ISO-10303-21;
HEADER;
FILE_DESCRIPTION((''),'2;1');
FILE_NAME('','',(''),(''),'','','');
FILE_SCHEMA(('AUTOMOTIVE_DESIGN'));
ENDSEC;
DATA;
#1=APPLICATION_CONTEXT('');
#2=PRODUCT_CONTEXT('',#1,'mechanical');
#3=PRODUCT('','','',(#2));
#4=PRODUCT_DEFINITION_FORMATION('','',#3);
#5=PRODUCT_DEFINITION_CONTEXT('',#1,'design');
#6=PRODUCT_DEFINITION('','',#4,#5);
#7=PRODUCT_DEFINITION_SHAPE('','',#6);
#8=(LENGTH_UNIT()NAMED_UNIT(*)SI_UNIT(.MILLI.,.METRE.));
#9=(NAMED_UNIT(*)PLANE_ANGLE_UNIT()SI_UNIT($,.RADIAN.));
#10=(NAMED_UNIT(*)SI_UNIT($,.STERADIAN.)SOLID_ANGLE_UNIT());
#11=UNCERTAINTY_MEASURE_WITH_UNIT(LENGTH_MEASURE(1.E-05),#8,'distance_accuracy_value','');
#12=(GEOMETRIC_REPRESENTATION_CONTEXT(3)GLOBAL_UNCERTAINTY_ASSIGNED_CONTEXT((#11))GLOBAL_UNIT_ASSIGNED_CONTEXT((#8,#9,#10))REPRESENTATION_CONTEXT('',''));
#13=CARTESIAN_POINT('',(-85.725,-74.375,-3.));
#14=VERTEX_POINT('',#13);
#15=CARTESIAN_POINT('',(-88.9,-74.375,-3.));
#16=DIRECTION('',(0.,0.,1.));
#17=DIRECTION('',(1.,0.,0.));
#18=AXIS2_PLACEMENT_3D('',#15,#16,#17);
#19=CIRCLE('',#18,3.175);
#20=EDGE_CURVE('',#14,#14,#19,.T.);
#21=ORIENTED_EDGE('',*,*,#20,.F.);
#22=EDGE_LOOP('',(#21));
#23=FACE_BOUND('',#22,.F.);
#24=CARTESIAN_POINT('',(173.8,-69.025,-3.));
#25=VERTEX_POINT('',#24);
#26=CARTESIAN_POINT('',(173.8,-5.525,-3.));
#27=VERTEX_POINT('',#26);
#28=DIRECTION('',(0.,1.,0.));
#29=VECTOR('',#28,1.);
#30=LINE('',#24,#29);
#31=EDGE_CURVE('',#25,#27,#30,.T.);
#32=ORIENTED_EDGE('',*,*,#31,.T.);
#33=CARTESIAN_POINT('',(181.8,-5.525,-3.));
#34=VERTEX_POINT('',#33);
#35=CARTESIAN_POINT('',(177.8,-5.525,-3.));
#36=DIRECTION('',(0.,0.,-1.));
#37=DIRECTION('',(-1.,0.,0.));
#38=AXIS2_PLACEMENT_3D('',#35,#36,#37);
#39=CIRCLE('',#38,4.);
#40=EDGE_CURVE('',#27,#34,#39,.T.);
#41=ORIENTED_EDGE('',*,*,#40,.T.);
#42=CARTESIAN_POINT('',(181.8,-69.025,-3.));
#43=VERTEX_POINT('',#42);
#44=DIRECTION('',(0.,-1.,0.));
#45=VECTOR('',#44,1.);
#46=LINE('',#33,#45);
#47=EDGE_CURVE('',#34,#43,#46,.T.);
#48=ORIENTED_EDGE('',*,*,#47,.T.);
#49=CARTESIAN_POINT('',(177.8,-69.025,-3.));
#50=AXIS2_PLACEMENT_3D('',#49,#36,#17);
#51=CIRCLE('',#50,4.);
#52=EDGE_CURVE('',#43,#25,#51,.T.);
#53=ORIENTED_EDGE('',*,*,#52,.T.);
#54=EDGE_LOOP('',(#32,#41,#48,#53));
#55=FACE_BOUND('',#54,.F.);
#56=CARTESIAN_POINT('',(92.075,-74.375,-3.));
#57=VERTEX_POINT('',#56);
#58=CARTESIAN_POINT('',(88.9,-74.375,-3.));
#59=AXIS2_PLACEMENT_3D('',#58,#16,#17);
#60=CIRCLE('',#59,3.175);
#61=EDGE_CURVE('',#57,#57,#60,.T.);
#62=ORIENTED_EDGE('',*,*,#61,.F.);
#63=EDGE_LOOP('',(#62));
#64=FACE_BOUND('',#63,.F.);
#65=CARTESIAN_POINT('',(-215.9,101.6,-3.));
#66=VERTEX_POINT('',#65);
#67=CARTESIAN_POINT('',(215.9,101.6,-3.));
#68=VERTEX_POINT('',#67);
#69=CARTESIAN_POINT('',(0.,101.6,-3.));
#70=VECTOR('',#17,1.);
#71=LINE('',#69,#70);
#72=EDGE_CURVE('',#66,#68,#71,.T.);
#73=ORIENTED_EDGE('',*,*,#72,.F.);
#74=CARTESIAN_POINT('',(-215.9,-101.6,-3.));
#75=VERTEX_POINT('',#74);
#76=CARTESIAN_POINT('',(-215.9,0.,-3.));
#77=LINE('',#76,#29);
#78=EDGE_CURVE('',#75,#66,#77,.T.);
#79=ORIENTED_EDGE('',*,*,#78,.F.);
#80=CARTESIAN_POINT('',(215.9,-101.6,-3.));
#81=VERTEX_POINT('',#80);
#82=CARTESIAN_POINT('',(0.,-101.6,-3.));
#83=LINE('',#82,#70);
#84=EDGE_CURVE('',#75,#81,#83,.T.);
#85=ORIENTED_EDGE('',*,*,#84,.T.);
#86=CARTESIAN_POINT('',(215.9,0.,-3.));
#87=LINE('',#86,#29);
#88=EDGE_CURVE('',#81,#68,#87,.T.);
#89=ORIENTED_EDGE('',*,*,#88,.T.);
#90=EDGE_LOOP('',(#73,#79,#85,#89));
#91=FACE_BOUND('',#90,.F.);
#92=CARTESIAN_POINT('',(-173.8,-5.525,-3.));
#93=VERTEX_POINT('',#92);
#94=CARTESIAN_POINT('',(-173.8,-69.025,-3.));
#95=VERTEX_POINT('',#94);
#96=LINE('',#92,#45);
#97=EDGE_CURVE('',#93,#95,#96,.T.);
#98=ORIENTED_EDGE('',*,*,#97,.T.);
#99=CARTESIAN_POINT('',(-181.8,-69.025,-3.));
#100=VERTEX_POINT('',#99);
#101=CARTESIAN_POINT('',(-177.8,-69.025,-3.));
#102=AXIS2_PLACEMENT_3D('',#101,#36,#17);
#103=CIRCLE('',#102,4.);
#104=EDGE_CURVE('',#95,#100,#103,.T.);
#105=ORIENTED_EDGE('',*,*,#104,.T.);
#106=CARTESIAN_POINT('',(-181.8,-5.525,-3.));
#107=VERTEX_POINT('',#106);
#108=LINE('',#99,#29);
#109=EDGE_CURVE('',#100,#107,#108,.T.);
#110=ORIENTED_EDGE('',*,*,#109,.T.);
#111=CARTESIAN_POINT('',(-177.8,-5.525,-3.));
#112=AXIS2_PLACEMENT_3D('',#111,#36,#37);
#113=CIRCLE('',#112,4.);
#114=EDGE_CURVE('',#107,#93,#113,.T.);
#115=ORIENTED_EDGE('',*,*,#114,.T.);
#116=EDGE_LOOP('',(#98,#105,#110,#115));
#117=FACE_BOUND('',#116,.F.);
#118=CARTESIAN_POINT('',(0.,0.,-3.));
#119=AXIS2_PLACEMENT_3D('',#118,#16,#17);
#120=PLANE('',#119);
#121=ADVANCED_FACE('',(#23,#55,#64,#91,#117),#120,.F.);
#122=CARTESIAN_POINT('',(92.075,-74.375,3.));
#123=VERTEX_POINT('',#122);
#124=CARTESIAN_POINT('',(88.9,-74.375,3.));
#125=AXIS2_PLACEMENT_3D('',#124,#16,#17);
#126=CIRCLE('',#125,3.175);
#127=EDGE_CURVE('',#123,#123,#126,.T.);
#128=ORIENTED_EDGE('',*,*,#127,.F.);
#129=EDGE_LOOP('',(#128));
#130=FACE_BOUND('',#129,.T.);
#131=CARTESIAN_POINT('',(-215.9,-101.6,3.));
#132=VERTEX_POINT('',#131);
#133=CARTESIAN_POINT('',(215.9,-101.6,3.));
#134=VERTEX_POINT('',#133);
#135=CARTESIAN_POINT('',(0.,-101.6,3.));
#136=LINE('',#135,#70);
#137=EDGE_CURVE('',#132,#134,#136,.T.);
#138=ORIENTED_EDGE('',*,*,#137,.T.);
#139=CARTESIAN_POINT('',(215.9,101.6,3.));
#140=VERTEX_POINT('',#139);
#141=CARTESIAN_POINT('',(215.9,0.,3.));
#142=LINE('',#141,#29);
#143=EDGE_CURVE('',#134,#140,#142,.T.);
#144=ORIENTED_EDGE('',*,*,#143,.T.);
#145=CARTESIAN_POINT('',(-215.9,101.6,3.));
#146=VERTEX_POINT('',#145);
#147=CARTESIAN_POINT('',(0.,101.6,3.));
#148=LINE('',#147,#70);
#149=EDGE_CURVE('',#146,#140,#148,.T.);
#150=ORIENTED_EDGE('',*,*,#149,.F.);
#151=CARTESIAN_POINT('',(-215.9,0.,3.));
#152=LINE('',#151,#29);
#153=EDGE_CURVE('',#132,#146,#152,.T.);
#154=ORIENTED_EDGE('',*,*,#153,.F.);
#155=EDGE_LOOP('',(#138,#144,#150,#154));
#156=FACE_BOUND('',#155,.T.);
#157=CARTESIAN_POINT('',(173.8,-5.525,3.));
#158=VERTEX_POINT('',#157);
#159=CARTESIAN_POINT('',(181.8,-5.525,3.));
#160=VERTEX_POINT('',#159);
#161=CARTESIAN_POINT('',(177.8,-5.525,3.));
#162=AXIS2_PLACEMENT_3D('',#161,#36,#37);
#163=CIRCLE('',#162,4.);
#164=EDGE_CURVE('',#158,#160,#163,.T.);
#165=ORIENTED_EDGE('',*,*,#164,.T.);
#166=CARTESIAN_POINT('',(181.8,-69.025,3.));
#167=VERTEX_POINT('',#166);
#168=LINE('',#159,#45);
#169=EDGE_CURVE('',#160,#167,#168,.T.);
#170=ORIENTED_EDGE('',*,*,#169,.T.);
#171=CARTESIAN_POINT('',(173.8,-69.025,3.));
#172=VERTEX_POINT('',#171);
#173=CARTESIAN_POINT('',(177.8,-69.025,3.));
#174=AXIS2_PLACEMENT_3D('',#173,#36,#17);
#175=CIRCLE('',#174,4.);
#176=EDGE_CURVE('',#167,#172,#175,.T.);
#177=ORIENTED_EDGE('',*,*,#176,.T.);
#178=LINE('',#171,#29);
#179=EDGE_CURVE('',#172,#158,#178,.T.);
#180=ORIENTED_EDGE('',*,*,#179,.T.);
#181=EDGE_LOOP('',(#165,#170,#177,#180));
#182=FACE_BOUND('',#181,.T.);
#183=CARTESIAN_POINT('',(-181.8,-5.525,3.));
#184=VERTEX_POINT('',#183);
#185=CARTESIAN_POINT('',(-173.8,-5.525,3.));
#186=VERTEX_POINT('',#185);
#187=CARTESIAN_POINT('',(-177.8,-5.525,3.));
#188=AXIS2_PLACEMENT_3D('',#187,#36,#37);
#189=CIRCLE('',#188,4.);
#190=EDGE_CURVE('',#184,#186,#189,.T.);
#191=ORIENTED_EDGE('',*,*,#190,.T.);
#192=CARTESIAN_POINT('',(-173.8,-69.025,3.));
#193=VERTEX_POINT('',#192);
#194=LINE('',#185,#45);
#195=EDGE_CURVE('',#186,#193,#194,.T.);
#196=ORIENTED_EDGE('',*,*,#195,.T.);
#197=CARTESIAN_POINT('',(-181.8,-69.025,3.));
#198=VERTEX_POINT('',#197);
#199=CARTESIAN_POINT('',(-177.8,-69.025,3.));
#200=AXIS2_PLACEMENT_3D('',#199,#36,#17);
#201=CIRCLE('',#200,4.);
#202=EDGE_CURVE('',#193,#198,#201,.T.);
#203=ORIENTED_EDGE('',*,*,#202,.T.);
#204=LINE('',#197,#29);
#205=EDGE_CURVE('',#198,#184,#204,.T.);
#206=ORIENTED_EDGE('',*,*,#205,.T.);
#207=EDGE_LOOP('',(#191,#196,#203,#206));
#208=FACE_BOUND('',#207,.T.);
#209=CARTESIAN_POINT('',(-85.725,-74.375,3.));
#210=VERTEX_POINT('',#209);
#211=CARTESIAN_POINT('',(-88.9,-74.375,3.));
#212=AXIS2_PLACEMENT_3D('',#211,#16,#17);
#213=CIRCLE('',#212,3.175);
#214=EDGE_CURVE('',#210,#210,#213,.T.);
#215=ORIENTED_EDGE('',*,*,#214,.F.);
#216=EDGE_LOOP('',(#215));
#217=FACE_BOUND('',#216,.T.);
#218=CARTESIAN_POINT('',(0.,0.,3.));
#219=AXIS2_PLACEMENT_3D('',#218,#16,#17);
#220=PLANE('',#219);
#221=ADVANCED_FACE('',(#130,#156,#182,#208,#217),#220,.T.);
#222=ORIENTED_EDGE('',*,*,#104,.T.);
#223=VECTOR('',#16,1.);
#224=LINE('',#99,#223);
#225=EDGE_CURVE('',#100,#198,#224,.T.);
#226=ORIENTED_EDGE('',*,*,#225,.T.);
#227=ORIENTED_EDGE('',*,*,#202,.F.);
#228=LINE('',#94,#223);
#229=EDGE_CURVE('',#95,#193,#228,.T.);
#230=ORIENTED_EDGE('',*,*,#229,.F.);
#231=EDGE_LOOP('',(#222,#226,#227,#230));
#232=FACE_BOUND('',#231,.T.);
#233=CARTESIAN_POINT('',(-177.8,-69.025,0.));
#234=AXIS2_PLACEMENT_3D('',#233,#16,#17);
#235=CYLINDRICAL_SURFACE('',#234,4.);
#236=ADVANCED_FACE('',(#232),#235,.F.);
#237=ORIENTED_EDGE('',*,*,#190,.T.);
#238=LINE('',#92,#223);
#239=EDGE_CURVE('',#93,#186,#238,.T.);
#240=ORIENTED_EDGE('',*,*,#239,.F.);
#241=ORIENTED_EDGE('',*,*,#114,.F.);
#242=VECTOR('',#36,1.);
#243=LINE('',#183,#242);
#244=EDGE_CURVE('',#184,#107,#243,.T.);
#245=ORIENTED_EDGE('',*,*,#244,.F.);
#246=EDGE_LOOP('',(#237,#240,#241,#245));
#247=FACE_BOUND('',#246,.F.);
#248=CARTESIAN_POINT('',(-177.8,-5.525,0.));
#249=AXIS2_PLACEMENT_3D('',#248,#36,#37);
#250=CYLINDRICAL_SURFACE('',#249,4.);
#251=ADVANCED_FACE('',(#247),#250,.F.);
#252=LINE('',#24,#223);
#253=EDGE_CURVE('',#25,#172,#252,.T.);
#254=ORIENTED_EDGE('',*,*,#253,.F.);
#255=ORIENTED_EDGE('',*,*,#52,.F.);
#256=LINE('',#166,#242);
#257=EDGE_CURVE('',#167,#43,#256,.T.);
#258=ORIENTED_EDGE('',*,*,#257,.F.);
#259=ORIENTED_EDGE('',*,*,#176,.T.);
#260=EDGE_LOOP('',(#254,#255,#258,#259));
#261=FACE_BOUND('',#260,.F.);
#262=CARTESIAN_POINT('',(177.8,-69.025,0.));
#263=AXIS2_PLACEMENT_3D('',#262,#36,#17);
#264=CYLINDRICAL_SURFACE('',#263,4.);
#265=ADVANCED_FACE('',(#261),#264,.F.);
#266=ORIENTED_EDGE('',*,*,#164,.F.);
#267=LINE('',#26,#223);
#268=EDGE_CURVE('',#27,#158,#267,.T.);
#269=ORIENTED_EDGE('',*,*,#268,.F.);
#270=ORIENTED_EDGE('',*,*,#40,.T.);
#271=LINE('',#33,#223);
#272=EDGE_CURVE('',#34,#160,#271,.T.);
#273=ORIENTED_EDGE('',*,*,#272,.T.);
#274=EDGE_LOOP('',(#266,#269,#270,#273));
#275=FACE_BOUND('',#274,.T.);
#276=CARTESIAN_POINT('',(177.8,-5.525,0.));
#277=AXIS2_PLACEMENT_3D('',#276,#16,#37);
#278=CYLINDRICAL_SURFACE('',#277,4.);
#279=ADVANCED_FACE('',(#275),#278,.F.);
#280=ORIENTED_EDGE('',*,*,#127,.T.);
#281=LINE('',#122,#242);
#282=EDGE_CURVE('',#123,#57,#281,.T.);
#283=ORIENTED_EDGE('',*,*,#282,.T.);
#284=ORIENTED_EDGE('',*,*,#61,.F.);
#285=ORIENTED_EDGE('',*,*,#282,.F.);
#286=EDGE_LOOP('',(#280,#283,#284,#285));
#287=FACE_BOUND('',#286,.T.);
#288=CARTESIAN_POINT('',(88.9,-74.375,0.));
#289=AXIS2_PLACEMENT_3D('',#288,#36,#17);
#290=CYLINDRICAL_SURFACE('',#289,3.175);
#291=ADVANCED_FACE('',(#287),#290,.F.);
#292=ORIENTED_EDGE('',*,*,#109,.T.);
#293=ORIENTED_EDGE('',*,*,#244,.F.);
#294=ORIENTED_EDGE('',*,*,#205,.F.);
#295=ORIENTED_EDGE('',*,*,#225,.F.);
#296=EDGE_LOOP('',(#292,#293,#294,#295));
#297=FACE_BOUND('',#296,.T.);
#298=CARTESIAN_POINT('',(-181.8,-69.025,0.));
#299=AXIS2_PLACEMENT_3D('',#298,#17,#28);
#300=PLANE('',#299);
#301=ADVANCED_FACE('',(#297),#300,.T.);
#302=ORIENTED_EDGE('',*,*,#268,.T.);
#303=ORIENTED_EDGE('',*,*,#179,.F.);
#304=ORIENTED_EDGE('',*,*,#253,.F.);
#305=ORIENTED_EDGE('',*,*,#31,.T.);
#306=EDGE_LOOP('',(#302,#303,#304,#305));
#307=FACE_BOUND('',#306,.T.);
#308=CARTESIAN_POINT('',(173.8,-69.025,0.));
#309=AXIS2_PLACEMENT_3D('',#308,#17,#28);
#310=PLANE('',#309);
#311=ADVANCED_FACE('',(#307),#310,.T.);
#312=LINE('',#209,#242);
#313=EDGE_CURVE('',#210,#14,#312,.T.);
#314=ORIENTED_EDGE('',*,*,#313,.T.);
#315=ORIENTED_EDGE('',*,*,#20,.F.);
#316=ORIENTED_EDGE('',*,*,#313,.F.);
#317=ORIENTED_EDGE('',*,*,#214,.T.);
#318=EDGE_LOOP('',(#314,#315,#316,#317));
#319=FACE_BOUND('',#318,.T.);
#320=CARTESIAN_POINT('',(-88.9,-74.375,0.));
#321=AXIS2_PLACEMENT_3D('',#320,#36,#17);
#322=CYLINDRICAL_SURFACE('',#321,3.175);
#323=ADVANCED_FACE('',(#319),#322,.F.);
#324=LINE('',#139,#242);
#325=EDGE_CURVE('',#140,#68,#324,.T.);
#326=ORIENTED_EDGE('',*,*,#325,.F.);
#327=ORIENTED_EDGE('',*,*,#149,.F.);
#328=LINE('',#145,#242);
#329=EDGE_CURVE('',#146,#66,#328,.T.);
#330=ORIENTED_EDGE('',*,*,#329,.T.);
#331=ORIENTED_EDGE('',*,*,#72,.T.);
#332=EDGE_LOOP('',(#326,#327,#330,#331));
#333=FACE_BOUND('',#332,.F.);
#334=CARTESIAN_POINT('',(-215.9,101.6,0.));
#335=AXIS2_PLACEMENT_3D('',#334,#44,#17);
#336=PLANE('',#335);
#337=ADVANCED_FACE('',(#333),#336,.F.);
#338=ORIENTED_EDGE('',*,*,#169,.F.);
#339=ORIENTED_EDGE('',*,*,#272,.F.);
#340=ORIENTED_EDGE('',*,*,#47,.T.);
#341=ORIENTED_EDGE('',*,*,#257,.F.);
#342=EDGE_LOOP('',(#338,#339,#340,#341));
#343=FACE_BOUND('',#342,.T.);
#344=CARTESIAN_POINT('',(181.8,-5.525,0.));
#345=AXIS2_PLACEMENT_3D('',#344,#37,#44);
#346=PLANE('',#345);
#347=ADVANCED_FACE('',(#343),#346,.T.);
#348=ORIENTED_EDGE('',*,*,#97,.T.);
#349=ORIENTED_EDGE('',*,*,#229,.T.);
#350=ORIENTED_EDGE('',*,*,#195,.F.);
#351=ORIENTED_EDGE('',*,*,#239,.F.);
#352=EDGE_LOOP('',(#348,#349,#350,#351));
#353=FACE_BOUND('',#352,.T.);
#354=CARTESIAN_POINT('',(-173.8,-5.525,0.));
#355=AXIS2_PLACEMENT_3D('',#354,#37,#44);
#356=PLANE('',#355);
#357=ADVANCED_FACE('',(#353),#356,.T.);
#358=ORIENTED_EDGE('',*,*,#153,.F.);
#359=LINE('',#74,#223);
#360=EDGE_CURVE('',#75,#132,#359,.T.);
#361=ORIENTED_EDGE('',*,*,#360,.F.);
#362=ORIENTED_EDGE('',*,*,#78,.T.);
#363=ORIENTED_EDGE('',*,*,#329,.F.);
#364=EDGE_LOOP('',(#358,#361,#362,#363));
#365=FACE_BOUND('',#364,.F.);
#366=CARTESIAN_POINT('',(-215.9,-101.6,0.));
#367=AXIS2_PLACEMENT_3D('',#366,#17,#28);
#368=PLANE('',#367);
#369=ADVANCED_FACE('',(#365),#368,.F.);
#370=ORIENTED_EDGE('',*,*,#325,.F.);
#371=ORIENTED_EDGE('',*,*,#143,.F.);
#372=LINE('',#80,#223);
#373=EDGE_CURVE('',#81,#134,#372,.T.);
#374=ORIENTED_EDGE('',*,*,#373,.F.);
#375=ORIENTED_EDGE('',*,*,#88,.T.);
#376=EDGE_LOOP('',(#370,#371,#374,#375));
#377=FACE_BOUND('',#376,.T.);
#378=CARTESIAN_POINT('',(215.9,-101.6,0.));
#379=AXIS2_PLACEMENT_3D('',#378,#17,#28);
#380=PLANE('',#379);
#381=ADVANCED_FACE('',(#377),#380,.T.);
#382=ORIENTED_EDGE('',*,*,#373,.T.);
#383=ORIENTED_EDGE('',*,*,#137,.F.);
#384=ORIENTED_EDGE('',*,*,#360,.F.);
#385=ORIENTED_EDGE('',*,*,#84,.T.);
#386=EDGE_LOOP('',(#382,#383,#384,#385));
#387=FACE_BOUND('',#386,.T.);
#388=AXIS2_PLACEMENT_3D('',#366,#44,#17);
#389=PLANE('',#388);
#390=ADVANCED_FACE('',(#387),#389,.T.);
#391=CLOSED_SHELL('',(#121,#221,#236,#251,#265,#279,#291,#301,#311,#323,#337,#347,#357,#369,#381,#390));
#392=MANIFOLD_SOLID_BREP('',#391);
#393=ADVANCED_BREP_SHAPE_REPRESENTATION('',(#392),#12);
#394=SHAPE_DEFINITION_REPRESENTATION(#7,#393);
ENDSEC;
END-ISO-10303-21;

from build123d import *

# Parameters (mm, degrees)
F0_W     = 431.8
F0_H     = 203.2
F0_R     = 3.175
F1_DEPTH = 3


with BuildPart() as f1:
    # F0 (on Top) → F1 (new body, symmetric)
    with BuildSketch(Plane.XY):
        Rectangle(F0_W, F0_H)
        with Locations((-88.9, -74.375)):
            Circle(F0_R, mode=Mode.SUBTRACT)
        with BuildLine():
            Line((-181.8, -69.025), (-181.8, -5.525))
            ThreePointArc((-181.8, -5.525), (-177.8, -1.525), (-173.8, -5.525))
            Line((-173.8, -5.525), (-173.8, -69.025))
            ThreePointArc((-173.8, -69.025), (-177.8, -73.025), (-181.8, -69.025))
        make_face(mode=Mode.SUBTRACT)
        with Locations((88.9, -74.375)):
            Circle(F0_R, mode=Mode.SUBTRACT)
        with BuildLine():
            ThreePointArc((181.8, -69.025), (177.8, -73.025), (173.8, -69.025))
            Line((173.8, -69.025), (173.8, -5.525))
            ThreePointArc((173.8, -5.525), (177.8, -1.525), (181.8, -5.525))
            Line((181.8, -5.525), (181.8, -69.025))
        make_face(mode=Mode.SUBTRACT)
    extrude(amount=F1_DEPTH, both=True)


solid = f1.part
